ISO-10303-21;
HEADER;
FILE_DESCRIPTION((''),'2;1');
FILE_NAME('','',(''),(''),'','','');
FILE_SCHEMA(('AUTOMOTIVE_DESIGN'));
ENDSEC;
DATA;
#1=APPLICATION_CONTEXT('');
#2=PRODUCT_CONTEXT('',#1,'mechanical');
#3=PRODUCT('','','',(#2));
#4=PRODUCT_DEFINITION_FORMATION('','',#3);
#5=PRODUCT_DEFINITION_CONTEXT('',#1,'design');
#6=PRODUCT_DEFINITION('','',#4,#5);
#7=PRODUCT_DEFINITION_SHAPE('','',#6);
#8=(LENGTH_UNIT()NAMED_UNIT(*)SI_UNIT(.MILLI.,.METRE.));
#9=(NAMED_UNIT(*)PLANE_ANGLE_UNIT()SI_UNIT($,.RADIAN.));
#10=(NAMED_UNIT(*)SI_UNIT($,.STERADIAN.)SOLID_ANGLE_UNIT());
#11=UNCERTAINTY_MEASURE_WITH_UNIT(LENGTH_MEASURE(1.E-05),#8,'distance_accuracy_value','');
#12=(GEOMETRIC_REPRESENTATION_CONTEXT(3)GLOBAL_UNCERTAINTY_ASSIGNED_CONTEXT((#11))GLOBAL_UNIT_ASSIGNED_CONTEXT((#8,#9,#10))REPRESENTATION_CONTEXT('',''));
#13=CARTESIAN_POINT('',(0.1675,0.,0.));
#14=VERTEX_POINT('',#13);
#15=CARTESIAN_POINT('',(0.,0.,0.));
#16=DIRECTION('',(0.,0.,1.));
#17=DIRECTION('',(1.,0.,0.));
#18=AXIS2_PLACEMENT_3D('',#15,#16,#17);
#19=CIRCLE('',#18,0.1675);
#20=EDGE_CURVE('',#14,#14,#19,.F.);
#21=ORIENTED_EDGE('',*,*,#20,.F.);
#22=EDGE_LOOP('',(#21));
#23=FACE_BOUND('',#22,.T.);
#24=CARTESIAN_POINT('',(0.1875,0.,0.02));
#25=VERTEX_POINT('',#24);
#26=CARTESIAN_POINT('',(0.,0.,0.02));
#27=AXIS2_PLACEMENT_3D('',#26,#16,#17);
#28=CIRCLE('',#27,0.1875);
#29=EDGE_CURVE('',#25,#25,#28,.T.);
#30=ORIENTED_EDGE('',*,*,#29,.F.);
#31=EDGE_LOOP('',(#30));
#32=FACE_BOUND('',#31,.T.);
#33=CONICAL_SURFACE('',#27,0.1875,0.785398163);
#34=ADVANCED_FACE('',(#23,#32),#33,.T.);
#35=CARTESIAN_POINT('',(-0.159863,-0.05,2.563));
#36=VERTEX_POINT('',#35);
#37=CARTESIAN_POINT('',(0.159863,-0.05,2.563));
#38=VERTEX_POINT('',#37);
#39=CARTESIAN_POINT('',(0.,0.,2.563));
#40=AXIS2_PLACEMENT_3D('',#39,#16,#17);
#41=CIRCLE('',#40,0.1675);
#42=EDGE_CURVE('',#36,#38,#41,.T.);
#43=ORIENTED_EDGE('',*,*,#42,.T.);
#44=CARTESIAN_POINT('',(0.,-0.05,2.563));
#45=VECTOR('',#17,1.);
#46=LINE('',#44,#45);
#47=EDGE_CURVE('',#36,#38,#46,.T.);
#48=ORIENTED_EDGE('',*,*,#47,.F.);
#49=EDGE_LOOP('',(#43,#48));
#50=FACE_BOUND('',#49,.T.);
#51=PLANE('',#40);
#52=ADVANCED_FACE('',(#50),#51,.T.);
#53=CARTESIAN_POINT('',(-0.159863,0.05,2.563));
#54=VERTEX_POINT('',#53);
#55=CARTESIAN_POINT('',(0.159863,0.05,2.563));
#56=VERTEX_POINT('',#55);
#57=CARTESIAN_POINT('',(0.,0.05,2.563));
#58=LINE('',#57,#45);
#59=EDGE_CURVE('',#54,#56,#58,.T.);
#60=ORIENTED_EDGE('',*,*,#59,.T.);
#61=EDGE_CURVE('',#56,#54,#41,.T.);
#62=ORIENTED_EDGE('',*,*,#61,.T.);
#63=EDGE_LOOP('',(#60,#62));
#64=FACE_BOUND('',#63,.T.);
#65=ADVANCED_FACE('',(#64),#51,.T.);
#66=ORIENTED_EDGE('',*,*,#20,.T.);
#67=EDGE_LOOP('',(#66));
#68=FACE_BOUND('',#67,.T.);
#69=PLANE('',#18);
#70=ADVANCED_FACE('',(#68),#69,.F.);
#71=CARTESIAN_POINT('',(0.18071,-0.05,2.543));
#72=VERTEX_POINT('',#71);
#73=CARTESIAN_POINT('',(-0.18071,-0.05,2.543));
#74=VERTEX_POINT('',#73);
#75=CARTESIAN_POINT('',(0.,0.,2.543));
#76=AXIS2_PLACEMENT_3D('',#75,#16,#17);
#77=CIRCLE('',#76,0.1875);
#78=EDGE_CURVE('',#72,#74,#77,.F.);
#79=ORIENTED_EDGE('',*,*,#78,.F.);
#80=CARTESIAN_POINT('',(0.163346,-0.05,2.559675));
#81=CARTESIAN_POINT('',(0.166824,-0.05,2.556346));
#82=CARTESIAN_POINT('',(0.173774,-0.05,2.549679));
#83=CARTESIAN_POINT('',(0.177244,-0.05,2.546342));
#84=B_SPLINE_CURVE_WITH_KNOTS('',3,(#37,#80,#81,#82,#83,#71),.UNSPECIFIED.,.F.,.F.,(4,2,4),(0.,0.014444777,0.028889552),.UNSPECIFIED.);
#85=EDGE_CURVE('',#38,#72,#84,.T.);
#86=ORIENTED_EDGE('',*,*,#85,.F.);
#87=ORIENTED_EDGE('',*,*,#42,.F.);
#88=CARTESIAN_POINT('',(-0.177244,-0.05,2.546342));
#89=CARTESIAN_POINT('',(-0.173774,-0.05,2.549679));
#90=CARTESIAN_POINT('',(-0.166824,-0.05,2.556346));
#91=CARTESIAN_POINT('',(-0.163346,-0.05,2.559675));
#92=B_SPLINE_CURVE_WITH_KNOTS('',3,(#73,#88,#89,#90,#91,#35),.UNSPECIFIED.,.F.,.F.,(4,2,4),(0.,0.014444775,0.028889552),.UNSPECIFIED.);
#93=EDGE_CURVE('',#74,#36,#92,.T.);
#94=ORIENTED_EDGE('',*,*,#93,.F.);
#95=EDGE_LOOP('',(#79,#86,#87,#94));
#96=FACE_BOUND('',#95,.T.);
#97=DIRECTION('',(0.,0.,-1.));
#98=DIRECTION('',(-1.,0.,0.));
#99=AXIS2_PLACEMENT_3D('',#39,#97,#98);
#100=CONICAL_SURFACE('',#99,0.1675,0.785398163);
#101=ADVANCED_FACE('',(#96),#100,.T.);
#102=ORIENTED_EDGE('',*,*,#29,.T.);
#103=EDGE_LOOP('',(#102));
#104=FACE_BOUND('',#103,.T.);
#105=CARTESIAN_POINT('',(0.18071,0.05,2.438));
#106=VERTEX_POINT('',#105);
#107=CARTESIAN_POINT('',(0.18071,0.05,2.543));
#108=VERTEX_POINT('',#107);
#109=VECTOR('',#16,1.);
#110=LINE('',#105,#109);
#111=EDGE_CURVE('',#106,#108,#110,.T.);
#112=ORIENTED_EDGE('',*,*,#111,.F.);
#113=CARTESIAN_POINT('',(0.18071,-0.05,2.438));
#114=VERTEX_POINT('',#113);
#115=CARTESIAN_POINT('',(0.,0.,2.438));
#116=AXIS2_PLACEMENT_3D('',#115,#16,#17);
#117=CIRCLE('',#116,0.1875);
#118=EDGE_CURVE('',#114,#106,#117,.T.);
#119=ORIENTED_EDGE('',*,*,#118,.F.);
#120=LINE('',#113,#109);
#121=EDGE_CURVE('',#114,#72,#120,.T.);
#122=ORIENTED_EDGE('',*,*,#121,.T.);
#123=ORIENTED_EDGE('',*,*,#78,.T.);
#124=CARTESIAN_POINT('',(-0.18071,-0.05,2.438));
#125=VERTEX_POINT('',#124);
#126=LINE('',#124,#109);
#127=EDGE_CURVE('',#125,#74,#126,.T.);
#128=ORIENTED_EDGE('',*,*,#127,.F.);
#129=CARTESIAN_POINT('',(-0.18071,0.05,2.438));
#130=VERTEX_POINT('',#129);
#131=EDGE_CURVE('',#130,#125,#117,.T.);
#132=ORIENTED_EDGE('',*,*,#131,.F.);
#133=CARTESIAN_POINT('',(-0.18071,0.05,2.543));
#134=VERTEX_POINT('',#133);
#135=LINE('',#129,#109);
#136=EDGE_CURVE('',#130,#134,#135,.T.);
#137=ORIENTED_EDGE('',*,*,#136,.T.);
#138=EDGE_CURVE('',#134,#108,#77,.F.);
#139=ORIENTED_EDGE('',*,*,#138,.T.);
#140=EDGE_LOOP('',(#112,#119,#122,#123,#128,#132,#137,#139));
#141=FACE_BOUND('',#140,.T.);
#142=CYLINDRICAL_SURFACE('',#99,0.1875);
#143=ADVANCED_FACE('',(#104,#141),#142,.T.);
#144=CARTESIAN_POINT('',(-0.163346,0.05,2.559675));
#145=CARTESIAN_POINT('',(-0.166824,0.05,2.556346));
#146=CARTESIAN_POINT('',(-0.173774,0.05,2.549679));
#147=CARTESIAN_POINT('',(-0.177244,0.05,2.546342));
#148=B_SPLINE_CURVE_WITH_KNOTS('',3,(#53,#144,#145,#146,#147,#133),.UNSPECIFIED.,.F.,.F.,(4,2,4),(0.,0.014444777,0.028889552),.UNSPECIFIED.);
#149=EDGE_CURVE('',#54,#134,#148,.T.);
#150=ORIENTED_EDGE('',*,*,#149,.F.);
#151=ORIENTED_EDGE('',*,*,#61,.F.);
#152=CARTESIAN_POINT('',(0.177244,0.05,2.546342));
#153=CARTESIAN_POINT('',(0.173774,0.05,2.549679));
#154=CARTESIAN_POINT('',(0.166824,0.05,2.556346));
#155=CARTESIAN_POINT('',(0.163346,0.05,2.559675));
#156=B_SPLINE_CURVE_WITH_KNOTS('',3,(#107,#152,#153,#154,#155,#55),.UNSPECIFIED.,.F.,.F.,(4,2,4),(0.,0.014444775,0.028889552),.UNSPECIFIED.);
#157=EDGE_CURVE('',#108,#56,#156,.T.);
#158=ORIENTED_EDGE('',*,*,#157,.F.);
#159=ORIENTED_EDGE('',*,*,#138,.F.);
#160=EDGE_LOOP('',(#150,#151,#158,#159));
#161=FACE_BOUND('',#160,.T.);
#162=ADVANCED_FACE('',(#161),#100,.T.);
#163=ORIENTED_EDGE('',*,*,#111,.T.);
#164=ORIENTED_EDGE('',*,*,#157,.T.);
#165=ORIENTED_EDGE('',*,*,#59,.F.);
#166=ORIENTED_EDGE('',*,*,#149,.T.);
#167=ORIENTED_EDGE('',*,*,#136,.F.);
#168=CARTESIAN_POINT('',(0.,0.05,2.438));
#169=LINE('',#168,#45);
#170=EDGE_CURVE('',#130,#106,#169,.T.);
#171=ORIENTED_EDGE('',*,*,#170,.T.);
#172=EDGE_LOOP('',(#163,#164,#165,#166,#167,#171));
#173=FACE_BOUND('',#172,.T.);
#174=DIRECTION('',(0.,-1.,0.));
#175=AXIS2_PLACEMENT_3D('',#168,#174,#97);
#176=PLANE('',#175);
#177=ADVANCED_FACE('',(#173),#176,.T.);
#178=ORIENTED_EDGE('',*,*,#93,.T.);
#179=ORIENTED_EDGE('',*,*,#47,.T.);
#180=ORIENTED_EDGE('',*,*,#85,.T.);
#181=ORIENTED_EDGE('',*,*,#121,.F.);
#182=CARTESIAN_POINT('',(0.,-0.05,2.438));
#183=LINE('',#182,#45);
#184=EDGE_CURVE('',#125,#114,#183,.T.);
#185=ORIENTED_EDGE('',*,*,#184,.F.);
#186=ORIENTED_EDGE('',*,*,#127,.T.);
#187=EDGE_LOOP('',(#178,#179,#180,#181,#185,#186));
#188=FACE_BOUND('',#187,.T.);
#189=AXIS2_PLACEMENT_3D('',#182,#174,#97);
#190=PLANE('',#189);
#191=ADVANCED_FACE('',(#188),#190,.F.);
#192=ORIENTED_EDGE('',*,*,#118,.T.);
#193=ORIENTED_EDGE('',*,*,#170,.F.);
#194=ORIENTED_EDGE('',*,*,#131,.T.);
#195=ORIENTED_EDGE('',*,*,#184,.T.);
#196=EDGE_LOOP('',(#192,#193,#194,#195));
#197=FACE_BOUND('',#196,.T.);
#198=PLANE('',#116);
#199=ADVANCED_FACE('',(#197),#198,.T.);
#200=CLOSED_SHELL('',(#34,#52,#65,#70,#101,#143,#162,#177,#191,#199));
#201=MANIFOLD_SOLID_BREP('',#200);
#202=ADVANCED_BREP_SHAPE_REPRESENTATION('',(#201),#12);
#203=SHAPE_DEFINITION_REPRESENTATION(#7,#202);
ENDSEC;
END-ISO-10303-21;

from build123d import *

# Parameters (mm, degrees)
SKETCH1_R           = 0.1875
BOSS_EXTRUDE1_DEPTH = 2.563
CUT_EXTRUDE1_START  = -0.125
CUT_EXTRUDE1_DEPTH  = 0.125
CHAMFER1_SIZE       = 0.02
CHAMFER2_SIZE       = 0.02
CHAMFER3_SIZE       = 0.02


with BuildPart() as part:
    # Sketch1 → Boss-Extrude1 (new body)
    with BuildSketch(Plane.XY):
        Circle(SKETCH1_R)
    extrude(amount=BOSS_EXTRUDE1_DEPTH)

    # Sketch2 → Cut-Extrude1 (cut)
    with BuildSketch(Plane.XY.offset(2.563).offset(CUT_EXTRUDE1_START)):
        with BuildLine():
            Line((0.180710404, 0.05), (-0.180710404, 0.05))
            ThreePointArc((-0.180710404, 0.05), (-0.1875, 0), (-0.180710404, -0.05))
            Line((-0.180710404, -0.05), (0.180710404, -0.05))
            ThreePointArc((0.180710404, -0.05), (0.185794847, -0.02522944), (0.1875, 0))
            ThreePointArc((0.1875, 0), (0.185794847, 0.02522944), (0.180710404, 0.05))
        make_face()
    extrude(amount=CUT_EXTRUDE1_DEPTH, mode=Mode.SUBTRACT)

    # Chamfer1
    chamfer1_edges = [part.edges().sort_by_distance(p)[0] for p in [
        (0, 0.1875, 2.563),
    ]]
    chamfer(chamfer1_edges, length=CHAMFER1_SIZE)

    # Chamfer2
    chamfer2_edges = [part.edges().sort_by_distance(p)[0] for p in [
        (0, -0.1875, 2.563),
    ]]
    chamfer(chamfer2_edges, length=CHAMFER2_SIZE)

    # Chamfer3
    chamfer3_edges = [part.edges().sort_by_distance(p)[0] for p in [
        (-0.1875, 0, 0),
    ]]
    chamfer(chamfer3_edges, length=CHAMFER3_SIZE)


solid = part.part
